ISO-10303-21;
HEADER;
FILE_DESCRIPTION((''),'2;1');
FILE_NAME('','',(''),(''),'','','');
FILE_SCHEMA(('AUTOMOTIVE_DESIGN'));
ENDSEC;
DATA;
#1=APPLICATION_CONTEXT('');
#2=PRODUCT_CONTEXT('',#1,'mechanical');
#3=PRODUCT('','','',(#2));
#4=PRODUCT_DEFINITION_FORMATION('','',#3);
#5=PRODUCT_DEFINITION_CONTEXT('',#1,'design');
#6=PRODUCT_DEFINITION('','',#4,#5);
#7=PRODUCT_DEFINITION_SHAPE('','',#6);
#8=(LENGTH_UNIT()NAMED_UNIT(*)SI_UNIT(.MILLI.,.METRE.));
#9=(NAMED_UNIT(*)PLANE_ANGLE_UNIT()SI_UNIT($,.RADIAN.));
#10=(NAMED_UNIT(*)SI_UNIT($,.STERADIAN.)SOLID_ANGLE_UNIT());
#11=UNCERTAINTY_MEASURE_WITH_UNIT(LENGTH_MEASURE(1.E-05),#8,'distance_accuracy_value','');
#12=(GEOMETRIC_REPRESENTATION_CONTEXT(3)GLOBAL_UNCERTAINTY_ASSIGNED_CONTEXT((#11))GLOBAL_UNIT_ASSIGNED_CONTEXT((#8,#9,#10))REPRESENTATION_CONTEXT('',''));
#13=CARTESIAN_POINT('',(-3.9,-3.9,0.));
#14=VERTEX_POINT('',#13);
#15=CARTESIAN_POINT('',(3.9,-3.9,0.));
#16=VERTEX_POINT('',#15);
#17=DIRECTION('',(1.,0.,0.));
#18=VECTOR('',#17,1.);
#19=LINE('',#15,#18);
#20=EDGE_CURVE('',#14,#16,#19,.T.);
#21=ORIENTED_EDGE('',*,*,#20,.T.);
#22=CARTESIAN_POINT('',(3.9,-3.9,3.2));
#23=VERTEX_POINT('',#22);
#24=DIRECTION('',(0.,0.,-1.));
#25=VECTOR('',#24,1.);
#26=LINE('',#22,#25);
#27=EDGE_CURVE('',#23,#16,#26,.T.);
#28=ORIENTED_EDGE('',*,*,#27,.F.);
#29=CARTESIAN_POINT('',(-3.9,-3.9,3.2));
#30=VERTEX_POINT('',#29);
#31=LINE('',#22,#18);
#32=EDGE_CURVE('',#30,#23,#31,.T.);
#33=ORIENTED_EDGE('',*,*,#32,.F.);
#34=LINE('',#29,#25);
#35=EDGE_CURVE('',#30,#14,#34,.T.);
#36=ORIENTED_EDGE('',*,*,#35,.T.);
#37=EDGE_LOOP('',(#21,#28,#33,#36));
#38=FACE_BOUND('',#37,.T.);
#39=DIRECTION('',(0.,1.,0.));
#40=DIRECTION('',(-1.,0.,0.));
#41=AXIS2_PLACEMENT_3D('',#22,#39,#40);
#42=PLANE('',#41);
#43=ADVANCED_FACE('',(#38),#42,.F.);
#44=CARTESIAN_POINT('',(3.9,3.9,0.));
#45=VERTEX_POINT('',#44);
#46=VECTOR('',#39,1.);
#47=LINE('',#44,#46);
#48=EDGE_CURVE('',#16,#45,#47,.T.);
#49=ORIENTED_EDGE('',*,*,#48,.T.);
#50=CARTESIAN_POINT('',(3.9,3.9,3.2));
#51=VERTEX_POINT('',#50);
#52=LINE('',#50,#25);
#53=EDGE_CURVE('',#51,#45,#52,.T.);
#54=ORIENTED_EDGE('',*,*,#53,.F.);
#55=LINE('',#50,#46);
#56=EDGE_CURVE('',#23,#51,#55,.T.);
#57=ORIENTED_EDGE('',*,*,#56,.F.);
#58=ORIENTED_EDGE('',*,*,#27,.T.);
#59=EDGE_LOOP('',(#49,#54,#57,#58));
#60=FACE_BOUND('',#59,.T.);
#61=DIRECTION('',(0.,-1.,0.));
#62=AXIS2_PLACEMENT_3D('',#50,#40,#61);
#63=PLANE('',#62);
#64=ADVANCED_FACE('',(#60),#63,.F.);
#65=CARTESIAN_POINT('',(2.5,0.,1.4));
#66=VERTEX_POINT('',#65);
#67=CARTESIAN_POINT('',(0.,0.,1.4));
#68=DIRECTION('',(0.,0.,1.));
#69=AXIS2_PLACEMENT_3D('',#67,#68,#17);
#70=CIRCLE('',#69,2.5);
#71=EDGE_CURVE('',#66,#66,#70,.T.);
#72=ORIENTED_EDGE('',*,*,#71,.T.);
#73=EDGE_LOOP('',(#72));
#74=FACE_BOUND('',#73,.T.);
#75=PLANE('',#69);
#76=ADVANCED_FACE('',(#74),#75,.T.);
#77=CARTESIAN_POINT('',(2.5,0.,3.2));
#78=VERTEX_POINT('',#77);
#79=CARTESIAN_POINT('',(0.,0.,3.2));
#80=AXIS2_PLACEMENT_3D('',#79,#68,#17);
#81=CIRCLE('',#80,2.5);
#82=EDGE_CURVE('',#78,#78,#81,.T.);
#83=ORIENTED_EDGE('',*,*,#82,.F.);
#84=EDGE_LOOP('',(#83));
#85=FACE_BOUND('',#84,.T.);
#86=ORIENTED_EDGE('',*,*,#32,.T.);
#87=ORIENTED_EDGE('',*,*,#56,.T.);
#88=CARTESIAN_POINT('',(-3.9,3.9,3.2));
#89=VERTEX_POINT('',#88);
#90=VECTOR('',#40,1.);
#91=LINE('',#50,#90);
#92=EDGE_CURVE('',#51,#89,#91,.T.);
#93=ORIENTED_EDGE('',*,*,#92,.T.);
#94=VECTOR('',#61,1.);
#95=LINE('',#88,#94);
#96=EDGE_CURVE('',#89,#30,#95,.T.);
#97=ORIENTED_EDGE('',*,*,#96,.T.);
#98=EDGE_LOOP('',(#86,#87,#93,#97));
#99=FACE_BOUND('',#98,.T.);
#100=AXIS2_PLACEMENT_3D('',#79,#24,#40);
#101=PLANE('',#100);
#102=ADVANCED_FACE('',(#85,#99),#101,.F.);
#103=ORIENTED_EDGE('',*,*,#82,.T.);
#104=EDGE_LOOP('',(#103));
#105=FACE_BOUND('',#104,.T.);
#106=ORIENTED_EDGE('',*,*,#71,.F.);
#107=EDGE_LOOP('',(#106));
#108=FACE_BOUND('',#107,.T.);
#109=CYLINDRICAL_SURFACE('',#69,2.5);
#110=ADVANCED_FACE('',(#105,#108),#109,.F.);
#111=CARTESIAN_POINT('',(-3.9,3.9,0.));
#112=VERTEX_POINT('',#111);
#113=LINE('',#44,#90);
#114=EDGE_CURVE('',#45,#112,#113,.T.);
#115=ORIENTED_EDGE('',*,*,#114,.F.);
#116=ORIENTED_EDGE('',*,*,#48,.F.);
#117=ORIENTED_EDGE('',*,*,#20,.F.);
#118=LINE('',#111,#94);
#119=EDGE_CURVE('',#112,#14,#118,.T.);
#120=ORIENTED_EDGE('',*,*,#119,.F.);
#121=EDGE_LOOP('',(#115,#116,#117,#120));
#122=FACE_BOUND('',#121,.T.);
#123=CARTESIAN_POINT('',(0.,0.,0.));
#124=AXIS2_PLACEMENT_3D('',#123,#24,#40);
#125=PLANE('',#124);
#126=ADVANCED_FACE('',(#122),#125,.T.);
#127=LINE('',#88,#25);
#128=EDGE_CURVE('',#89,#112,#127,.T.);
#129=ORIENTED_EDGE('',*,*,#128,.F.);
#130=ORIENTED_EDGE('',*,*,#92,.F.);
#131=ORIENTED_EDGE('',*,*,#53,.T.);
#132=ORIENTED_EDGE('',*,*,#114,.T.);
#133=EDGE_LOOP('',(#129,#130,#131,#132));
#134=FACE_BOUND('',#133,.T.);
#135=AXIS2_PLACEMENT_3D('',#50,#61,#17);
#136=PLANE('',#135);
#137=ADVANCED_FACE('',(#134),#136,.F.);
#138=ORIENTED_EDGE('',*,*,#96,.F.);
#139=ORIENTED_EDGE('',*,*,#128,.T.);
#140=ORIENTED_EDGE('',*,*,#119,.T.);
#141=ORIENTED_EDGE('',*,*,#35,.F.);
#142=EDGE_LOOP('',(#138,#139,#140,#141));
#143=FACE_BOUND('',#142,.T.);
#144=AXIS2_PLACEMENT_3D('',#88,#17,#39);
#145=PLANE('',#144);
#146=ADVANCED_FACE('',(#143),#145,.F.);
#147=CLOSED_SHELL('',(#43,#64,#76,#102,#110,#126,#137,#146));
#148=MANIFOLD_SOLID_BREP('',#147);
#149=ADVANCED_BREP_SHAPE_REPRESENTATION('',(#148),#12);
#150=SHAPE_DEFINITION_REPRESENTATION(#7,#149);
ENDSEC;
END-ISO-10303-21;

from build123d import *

# Parameters (mm, degrees)
SKETCH_1_W          = 7.8
SKETCH_1_H          = 7.8
EXTRUDE_1_DEPTH     = 3.2
SKETCH_2_R          = 2.5
CUT_EXTRUDE_1_DEPTH = 1.8


with BuildPart() as part:
    # Эскиз1 → Бобышка-Вытянуть1 (new body)
    with BuildSketch(Plane.XY):
        Rectangle(SKETCH_1_W, SKETCH_1_H)
    extrude(amount=EXTRUDE_1_DEPTH)

    # Эскиз2 → Вырез-Вытянуть1 (cut)
    with BuildSketch(Plane.XY.offset(3.2)):
        Circle(SKETCH_2_R)
    extrude(amount=-CUT_EXTRUDE_1_DEPTH, mode=Mode.SUBTRACT)


solid = part.part
